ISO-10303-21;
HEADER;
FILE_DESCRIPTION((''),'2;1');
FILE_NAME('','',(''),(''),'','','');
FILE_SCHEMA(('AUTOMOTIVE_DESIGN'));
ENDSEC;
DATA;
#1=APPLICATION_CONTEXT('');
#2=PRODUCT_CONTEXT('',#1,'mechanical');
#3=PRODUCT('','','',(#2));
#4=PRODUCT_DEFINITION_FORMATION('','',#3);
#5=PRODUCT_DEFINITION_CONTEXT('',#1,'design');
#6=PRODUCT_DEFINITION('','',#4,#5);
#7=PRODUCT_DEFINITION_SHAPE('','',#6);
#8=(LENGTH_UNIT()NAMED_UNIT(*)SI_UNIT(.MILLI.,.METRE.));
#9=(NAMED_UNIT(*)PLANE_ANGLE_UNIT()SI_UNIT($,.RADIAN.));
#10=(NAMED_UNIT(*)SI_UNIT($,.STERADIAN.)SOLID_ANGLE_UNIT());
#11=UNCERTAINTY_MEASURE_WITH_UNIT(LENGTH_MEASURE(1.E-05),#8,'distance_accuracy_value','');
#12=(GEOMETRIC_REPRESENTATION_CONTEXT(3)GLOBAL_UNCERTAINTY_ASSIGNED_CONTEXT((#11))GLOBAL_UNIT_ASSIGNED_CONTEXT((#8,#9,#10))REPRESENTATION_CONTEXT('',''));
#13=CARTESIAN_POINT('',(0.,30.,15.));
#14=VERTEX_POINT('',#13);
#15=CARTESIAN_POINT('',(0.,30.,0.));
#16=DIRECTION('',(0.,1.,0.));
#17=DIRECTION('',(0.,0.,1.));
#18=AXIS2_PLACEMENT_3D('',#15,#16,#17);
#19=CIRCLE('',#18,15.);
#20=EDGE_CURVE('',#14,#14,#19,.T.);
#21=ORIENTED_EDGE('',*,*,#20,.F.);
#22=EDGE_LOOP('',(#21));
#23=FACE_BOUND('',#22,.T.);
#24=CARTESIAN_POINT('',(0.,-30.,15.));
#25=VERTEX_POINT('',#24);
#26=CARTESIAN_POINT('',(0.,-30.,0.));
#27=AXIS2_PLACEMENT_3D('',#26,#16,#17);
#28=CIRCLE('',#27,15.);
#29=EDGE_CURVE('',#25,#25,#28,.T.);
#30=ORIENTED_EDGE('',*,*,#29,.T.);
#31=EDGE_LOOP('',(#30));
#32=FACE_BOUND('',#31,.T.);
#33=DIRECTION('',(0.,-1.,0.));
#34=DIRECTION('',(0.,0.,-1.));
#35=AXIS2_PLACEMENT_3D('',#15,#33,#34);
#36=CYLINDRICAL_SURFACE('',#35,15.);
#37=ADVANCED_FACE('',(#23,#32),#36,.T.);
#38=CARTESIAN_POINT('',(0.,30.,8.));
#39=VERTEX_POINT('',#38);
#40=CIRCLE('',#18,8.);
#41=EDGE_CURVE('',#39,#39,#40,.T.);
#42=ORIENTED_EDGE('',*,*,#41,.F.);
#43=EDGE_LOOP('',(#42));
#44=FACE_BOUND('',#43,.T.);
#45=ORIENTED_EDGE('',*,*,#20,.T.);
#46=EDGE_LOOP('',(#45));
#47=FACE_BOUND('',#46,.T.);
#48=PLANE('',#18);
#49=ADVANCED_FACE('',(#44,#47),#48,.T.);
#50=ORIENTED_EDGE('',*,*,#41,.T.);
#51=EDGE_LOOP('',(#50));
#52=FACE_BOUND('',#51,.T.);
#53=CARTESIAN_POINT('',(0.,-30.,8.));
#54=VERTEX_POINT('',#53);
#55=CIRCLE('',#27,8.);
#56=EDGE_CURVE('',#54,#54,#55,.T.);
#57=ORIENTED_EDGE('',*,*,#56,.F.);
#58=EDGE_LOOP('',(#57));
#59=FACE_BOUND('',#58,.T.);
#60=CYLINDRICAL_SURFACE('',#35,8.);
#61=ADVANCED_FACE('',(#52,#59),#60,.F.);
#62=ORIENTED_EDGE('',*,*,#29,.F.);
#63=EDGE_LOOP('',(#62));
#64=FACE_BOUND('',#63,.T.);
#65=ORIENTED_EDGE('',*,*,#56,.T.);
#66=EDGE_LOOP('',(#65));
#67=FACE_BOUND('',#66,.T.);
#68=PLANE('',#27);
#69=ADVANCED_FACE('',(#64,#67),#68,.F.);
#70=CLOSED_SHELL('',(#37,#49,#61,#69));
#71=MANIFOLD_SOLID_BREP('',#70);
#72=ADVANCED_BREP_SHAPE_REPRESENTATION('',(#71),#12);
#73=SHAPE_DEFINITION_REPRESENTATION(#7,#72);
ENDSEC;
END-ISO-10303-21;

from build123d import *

# Parameters (mm, degrees)
SKETCH1_R           = 15
SKETCH1_R_2         = 8
BOSS_EXTRUDE1_DEPTH = 30


with BuildPart() as part:
    # Sketch1 → Boss-Extrude1 (new, symmetric)
    with BuildSketch(Plane(origin=(0, 0, 0), x_dir=(1, 0, 0), z_dir=(0, 1, 0))):
        with Locations(Location((0, 0, 0), (0, 0, 270))):
            Circle(SKETCH1_R)
        with Locations(Location((0, 0, 0), (0, 0, 270))):
            Circle(SKETCH1_R_2, mode=Mode.SUBTRACT)
    extrude(amount=BOSS_EXTRUDE1_DEPTH, both=True)


solid = part.part
